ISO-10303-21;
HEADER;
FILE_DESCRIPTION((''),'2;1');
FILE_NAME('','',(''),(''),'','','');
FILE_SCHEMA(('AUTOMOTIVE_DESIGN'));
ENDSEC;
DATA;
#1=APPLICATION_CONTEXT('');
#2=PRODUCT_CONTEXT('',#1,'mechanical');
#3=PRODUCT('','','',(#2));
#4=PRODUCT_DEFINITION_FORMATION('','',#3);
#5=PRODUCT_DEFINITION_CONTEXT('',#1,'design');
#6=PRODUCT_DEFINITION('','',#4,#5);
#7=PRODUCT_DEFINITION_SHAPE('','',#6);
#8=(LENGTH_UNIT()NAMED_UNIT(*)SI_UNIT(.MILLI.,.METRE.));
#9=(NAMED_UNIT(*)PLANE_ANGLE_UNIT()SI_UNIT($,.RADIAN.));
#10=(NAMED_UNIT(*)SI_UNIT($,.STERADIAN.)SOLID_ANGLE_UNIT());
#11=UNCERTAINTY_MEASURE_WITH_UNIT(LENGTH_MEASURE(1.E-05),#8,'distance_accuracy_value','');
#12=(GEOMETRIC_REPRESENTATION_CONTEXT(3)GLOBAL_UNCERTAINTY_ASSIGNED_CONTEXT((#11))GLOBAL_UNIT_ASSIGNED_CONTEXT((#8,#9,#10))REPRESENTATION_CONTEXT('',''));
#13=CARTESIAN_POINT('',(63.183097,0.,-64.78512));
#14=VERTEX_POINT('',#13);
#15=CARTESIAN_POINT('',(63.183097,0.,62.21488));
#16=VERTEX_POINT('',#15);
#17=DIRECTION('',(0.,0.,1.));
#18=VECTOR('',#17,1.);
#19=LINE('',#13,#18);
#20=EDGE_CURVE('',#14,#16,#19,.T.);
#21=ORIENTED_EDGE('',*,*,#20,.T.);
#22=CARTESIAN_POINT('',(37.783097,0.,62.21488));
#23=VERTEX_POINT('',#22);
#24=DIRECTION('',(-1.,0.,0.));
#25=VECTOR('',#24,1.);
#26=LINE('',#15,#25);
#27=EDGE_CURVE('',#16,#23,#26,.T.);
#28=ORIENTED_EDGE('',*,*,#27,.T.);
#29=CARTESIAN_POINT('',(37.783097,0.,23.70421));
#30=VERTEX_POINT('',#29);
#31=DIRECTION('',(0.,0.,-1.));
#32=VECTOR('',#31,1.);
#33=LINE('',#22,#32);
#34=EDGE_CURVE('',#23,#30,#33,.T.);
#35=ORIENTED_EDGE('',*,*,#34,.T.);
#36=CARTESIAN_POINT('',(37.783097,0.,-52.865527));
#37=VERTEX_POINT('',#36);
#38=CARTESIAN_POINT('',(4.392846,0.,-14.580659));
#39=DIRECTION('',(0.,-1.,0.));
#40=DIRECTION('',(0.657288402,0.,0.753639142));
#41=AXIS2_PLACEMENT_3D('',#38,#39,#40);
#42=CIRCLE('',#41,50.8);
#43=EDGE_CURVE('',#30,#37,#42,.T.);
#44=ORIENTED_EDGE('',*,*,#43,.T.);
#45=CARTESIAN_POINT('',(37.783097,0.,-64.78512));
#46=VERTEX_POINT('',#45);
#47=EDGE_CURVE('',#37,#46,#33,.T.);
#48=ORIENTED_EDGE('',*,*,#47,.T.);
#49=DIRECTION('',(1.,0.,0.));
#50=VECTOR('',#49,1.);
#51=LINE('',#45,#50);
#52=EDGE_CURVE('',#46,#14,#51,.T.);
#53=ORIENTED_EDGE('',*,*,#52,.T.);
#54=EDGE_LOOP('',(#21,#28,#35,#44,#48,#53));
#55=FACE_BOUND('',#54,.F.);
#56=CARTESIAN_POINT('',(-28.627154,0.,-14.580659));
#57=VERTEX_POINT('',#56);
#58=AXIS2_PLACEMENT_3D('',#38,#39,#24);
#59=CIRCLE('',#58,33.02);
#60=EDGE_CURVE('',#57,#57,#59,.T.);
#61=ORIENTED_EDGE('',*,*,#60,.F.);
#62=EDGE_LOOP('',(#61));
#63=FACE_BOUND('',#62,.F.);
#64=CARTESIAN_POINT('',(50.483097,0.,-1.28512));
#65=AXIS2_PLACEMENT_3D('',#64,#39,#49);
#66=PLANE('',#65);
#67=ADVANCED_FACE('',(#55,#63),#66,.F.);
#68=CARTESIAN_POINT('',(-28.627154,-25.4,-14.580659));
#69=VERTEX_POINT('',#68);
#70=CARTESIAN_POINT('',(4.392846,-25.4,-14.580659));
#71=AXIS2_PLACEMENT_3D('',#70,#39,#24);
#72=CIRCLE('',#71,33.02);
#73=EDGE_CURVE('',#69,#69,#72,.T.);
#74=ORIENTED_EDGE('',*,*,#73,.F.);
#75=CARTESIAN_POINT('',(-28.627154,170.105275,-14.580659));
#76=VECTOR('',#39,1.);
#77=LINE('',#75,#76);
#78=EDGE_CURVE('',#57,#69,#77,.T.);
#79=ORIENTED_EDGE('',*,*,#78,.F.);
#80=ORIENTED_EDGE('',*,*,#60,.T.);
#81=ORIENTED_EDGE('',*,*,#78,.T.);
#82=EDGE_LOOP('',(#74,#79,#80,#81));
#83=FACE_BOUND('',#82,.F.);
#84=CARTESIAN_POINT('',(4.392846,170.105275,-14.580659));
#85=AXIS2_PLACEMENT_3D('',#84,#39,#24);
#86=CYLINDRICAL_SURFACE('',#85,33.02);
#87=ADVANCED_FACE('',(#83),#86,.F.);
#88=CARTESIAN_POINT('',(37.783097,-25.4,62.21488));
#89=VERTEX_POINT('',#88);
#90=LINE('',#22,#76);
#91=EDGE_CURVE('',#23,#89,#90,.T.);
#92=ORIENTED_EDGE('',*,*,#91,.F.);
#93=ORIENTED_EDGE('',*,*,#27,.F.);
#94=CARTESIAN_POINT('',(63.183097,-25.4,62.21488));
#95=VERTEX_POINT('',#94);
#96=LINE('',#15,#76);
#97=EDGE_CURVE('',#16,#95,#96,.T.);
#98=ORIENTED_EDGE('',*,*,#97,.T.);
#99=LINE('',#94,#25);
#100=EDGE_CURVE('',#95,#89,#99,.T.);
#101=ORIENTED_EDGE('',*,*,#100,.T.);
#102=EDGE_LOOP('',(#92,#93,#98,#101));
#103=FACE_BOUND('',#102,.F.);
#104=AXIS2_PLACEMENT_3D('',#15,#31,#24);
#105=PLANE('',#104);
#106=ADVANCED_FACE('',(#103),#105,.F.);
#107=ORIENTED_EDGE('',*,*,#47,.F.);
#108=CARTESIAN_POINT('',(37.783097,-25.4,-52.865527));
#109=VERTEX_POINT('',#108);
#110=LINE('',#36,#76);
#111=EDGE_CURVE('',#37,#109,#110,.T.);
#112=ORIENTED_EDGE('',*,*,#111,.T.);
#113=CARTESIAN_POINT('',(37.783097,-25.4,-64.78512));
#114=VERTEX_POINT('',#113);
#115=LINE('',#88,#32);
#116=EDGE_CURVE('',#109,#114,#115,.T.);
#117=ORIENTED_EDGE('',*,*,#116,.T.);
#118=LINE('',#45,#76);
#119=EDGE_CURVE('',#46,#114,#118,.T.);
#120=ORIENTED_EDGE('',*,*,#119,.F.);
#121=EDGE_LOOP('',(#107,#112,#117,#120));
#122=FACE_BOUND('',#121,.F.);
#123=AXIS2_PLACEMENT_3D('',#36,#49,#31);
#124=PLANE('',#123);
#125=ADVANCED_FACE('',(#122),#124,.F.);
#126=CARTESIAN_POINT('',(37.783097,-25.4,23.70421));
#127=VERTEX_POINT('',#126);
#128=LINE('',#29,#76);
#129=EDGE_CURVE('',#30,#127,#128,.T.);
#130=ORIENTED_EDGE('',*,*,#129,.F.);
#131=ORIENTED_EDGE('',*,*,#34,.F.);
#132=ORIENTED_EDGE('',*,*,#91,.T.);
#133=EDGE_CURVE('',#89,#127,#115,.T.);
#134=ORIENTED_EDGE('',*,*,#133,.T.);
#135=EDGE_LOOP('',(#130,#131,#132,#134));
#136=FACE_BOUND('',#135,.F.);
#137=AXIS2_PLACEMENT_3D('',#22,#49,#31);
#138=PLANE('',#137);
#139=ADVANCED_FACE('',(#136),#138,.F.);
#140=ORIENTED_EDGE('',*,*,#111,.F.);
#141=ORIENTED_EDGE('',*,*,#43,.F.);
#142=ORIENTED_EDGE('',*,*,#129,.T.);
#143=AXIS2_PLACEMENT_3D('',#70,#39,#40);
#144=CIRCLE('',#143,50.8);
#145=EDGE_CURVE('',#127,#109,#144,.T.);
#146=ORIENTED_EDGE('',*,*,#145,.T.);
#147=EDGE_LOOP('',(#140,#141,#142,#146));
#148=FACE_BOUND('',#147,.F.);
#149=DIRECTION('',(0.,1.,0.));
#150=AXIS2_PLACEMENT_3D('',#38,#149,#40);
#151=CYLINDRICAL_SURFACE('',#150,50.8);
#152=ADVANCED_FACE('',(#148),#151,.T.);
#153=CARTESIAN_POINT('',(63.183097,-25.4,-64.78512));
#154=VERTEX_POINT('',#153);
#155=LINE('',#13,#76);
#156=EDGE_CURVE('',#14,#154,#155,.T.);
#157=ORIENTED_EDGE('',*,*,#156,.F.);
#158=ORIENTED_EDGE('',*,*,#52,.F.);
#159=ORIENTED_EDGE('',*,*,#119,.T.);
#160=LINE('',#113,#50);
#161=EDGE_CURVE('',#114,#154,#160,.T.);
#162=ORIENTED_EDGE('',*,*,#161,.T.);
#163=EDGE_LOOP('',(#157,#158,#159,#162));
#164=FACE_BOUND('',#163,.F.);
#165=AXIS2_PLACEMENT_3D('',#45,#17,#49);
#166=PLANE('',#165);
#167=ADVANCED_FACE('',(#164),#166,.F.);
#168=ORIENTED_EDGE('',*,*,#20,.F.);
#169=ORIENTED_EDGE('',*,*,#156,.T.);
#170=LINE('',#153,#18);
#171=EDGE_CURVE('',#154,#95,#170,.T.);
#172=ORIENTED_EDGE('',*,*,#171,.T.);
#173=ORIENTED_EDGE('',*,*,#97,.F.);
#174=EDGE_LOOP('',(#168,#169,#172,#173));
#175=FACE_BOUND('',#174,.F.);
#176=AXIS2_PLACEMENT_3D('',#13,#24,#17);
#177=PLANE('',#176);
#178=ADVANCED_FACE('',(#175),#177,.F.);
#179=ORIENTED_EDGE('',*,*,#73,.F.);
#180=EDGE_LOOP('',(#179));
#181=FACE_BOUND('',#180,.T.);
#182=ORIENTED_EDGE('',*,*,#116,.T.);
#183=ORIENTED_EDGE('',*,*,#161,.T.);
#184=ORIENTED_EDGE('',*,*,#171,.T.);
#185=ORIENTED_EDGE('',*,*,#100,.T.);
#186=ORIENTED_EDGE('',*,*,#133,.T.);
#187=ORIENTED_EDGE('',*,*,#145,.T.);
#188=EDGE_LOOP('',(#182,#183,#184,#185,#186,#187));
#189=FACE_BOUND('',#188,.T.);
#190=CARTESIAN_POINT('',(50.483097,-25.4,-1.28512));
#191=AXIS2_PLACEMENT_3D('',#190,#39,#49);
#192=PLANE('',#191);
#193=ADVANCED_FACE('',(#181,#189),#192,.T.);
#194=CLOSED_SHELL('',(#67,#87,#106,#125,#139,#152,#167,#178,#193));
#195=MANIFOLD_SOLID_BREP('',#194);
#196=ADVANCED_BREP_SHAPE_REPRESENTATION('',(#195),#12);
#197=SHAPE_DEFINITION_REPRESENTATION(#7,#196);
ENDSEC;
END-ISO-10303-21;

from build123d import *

# Parameters (mm, degrees)
F1_DEPTH = 25.4
F2_D     = 66.04


with BuildPart() as f1:
    # F0 (on Front) → F1 (new body)
    with BuildSketch(Plane.XZ):
        Polygon((63.1830971902, -64.7851199192), (63.1830971902, 62.2148800808), (37.7830971902, 62.2148800808), (37.7830971902, 23.7042096902), (37.7830971902, -52.8655271556), (37.7830971902, -64.7851199192), align=None)
        with BuildLine():
            Line((37.7830971902, -52.8655271556), (37.7830971902, 23.7042096902))
            ThreePointArc((37.7830971902, 23.7042096902), (-46.40715363, -14.5806587327), (37.7830971902, -52.8655271556))
        make_face()
    extrude(amount=F1_DEPTH)

    # F2 (through all)
    with Locations(Plane(origin=(0, 0, 0), x_dir=(1, 0, 0), z_dir=(0, 1, 0))):
        with Locations((4.39284637, 14.5806587327)):
            Hole(F2_D / 2)


solid = f1.part
